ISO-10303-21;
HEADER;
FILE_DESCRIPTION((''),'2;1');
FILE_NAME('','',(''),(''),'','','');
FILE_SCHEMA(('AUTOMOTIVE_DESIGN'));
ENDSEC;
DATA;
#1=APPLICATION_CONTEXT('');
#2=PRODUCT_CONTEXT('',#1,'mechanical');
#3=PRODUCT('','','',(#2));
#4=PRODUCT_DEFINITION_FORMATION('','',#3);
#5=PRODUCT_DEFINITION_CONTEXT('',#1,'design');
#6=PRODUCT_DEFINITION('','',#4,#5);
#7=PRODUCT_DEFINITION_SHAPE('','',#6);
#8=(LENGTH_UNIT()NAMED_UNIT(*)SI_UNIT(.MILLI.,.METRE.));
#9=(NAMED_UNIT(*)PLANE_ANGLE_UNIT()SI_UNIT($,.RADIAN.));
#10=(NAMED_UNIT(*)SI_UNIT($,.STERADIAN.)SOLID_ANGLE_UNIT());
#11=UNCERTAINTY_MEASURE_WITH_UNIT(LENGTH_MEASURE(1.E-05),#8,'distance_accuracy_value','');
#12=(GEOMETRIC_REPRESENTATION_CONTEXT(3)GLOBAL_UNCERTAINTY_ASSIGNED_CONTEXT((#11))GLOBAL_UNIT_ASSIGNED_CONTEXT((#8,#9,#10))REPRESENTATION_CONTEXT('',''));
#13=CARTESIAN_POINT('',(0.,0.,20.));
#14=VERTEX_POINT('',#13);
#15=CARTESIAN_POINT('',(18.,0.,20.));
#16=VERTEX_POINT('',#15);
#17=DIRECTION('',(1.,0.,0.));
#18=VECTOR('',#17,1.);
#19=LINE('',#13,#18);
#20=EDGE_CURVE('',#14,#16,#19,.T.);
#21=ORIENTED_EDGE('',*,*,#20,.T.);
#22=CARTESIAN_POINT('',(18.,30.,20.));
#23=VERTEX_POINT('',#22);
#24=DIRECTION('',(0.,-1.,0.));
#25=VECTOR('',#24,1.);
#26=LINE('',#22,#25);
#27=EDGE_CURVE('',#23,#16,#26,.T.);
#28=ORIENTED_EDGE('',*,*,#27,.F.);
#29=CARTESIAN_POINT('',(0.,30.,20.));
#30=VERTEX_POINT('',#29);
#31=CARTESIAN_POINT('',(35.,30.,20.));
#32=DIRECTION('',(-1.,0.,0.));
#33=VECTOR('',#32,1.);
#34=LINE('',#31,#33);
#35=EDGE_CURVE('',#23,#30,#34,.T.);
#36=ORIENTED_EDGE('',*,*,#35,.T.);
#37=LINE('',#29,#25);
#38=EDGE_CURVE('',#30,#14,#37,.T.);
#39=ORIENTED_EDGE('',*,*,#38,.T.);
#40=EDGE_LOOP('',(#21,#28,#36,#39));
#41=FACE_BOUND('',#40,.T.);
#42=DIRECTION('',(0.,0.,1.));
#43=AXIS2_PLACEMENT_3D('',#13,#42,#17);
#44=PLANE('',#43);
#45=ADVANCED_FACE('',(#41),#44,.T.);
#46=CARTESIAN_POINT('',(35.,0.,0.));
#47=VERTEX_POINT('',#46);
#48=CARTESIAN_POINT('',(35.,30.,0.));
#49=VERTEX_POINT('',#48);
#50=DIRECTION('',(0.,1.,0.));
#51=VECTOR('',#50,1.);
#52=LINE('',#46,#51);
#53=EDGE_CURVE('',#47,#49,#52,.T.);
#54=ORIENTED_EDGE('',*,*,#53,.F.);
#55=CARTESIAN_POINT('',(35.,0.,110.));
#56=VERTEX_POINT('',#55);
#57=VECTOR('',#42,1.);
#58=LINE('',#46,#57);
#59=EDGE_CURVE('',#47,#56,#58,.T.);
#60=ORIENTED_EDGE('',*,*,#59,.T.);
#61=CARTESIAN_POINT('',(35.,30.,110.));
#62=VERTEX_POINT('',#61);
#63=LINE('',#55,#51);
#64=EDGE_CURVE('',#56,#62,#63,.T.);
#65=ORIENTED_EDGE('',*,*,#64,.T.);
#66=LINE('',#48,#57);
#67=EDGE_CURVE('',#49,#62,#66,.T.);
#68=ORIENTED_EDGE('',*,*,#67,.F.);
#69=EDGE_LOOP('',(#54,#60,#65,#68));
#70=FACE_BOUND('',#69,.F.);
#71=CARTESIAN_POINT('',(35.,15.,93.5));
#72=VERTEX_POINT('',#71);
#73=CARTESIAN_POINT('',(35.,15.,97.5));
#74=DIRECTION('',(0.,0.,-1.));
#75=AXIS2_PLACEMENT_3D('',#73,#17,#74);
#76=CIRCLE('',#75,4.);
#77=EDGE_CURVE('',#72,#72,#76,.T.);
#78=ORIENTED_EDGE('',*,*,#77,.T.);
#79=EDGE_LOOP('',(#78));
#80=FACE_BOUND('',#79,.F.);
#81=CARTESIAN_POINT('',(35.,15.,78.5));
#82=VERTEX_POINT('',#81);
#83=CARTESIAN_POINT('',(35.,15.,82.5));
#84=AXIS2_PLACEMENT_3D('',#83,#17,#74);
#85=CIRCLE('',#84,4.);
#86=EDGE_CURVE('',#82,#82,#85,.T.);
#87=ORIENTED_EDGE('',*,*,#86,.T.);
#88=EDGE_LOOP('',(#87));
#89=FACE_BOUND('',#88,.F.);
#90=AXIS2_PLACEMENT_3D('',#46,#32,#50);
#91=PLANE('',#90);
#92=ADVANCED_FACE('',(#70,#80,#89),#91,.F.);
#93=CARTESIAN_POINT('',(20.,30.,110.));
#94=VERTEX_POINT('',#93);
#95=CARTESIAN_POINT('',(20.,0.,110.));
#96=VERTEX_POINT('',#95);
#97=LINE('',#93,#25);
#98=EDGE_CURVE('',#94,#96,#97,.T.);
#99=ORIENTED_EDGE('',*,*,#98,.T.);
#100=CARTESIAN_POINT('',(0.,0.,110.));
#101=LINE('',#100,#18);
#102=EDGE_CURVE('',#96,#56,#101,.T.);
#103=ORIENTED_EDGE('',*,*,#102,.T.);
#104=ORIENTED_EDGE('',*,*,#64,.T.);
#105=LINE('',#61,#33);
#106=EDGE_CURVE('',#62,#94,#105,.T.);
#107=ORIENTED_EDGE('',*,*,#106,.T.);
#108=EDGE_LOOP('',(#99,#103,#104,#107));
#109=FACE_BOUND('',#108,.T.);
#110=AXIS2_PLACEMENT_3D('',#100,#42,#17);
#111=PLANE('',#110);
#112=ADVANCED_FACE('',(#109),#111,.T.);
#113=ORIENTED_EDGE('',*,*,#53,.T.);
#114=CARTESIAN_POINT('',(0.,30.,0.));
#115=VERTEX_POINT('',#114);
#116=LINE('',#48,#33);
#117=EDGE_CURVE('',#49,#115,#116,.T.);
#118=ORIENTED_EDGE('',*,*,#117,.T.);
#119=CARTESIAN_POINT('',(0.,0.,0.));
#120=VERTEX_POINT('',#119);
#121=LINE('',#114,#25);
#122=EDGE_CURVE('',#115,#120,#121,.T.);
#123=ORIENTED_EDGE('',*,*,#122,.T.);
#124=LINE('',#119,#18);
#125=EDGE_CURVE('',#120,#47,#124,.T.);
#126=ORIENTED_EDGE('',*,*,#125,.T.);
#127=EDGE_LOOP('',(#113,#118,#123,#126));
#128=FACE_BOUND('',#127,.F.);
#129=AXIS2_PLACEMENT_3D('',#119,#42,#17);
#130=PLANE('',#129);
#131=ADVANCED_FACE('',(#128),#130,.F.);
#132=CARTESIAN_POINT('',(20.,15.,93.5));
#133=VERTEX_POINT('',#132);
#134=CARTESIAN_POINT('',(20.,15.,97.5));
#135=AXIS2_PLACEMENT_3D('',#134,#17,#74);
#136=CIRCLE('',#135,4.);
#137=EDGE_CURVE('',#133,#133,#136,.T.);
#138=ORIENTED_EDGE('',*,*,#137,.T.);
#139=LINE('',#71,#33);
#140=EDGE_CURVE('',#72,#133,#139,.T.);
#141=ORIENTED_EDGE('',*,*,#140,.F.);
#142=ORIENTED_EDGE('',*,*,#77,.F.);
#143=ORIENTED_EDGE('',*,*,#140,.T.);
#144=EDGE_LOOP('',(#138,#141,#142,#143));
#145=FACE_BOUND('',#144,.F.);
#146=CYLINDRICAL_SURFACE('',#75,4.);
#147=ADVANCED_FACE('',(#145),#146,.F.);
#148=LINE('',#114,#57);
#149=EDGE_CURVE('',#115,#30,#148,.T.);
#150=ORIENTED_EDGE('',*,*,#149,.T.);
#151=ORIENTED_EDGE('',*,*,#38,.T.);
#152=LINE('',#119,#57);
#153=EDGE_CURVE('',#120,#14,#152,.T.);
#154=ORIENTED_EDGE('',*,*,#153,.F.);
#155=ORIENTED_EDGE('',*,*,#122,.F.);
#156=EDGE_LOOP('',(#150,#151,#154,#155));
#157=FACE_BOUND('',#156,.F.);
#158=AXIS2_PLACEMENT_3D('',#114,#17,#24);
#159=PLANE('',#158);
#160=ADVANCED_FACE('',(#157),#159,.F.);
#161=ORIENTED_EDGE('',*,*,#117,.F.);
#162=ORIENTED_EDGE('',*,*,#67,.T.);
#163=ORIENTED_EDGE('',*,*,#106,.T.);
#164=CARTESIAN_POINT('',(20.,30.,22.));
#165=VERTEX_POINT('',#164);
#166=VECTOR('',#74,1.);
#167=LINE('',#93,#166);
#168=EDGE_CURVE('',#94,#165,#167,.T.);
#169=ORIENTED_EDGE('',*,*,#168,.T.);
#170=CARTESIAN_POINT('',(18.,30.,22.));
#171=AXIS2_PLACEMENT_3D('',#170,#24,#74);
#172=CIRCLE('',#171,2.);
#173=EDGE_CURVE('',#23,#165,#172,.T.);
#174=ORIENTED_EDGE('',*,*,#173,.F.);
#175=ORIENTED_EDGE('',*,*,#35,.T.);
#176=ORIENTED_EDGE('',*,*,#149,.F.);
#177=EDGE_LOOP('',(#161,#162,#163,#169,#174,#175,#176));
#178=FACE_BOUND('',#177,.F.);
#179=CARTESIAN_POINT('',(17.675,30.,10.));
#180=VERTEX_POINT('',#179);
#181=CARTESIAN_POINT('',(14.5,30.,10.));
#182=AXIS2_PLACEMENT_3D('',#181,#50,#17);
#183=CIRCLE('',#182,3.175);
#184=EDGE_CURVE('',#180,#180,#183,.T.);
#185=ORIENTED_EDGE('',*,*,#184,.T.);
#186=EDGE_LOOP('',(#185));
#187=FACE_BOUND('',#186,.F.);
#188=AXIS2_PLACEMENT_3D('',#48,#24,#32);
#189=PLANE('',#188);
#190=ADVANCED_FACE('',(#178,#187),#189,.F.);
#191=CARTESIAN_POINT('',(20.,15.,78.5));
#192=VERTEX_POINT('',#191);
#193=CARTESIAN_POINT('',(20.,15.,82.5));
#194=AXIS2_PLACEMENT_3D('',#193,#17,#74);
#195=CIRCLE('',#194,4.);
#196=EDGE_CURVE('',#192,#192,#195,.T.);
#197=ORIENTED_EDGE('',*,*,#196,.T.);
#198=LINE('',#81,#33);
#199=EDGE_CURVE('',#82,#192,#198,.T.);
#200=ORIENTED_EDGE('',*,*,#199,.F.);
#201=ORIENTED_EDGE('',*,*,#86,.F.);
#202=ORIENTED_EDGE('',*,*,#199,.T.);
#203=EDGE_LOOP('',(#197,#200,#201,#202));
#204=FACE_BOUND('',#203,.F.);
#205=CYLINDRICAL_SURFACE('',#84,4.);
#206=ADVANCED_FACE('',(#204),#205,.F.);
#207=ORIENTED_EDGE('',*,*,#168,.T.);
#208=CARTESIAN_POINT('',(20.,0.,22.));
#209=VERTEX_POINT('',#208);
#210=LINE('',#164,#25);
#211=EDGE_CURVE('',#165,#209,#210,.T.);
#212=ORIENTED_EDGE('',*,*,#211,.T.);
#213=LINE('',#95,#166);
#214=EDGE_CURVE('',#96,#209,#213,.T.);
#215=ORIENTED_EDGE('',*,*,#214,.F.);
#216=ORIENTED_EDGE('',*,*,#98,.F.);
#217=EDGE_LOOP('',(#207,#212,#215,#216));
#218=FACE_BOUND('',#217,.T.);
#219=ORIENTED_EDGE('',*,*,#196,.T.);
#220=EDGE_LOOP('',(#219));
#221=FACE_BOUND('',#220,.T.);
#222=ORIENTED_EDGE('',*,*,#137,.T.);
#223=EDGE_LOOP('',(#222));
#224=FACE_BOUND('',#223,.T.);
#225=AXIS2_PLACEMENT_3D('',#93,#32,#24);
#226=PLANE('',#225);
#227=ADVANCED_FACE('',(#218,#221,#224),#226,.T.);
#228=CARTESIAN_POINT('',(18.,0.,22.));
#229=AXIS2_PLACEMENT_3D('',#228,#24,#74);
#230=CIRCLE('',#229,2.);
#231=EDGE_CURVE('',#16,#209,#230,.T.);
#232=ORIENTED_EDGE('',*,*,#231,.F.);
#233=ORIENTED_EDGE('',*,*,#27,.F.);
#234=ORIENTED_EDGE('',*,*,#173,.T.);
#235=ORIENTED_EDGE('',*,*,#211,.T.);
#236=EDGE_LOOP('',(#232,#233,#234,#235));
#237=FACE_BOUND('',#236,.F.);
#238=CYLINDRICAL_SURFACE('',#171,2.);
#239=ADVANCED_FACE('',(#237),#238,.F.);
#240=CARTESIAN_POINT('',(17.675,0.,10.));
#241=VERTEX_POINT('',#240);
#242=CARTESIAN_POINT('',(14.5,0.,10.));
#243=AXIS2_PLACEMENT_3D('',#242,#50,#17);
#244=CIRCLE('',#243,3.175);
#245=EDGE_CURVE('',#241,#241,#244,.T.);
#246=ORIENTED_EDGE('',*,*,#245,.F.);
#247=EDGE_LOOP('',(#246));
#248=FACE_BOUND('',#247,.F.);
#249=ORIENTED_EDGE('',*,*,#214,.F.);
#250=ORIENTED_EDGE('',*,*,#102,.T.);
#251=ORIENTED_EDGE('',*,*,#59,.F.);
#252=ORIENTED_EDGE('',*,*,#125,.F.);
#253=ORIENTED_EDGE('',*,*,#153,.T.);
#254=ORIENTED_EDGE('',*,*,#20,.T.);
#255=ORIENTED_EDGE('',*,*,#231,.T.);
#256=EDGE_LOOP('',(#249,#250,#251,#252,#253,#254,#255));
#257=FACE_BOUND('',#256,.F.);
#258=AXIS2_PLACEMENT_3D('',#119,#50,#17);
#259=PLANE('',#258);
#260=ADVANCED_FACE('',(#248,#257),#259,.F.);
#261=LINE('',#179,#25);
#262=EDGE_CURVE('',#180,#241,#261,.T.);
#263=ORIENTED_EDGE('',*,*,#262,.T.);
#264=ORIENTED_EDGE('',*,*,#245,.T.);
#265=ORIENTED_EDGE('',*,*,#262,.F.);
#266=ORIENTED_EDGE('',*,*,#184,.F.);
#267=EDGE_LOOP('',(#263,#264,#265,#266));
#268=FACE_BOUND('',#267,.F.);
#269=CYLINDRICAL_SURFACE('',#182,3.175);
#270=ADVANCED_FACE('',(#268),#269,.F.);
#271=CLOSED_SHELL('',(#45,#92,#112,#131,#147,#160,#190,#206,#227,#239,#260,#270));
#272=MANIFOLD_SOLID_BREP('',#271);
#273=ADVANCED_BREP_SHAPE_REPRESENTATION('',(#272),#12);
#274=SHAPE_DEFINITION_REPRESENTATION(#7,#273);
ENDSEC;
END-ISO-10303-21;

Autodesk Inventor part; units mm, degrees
ref_plane "YZ Plane" through (0, 0, 0) normal (1, 0, 0) x (0, 1, 0)
ref_plane "XZ Plane" through (0, 0, 0) normal (0, 1, 0) x (-1, 0, 0)
ref_plane "XY Plane" through (0, 0, 0) normal (0, 0, 1) x (1, 0, 0)
sketch "Sketch1" plane through (0, 0, 0) normal (0, 0, 1) x (1, 0, 0)
  line L0 (0, 0) -> (35, 0)
  line L1 (35, 0) -> (35, 30)
  line L2 (35, 30) -> (0, 30)
  line L3 (0, 30) -> (0, 0)
  dimension "d0" = 35
  dimension "d1" = 30
extrude "Extrusion1" add sketch "Sketch1" along normal blind 110
sketch "Sketch2" plane through (0, 0, 110) normal (0, 0, 1) x (1, 0, 0)
  line L0 (0, 0) -> (35, 0) projected
  line L1 (35, 0) -> (35, 30) projected
  line L2 (35, 30) -> (0, 30) projected
  line L3 (0, 30) -> (0, 0) projected
  line L4 (0, 0) -> (35, 0) projected
  line L5 (35, 30) -> (20, 30)
  line L6 (20, 30) -> (20, 0)
  line L7 (20, 0) -> (35, 0)
  line L8 (35, 0) -> (35, 30)
  dimension "d4" = 15
extrude "Extrusion2" cut sketch "Sketch2" against normal blind 90 contours L3 L2 L6 L0
sketch "Sketch3" plane through (35, 0, 0) normal (1, 0, 0) x (0, 0, -1)
  line L0 (0, 0) -> (0, 30) projected
  line L1 (0, 30) -> (-110, 30) projected
  line L2 (-110, 0) -> (-110, 30) projected
  line L3 (0, 0) -> (-110, 0) projected
  circle A0 centre (-97.5, 15) radius 4
  circle A1 centre (-82.5, 15) radius 4
  point P0 (0, 0)
  dimension "d9" = 15
  dimension "d10" = 15
  dimension "d11" = 12.5
  dimension "d12" = 15
  dimension "d13" = 8
  dimension "d14" = 8
extrude "Extrusion3" cut sketch "Sketch3" against normal up to next contours A0 | A1
sketch "Sketch4" plane through (0, 30, 0) normal (0, 1, 0) x (1, 0, 0)
  circle A0 centre (14.5, -10) radius 3.175
  line L0 (0, 0) -> (0, -20) projected
  line L1 (0, -20) -> (20, -20) projected
  line L2 (35, 0) -> (0, 0) projected
  dimension "d17" = 6.35
  dimension "d18" = 14.5
  dimension "d23" = 10
extrude "Extrusion4" cut sketch "Sketch4" against normal up to next
fillet "Fillet1" radius 2 1 edges at (20, 15, 20)
properties part number "X_Rail_Belt_Pulley_Connector"
